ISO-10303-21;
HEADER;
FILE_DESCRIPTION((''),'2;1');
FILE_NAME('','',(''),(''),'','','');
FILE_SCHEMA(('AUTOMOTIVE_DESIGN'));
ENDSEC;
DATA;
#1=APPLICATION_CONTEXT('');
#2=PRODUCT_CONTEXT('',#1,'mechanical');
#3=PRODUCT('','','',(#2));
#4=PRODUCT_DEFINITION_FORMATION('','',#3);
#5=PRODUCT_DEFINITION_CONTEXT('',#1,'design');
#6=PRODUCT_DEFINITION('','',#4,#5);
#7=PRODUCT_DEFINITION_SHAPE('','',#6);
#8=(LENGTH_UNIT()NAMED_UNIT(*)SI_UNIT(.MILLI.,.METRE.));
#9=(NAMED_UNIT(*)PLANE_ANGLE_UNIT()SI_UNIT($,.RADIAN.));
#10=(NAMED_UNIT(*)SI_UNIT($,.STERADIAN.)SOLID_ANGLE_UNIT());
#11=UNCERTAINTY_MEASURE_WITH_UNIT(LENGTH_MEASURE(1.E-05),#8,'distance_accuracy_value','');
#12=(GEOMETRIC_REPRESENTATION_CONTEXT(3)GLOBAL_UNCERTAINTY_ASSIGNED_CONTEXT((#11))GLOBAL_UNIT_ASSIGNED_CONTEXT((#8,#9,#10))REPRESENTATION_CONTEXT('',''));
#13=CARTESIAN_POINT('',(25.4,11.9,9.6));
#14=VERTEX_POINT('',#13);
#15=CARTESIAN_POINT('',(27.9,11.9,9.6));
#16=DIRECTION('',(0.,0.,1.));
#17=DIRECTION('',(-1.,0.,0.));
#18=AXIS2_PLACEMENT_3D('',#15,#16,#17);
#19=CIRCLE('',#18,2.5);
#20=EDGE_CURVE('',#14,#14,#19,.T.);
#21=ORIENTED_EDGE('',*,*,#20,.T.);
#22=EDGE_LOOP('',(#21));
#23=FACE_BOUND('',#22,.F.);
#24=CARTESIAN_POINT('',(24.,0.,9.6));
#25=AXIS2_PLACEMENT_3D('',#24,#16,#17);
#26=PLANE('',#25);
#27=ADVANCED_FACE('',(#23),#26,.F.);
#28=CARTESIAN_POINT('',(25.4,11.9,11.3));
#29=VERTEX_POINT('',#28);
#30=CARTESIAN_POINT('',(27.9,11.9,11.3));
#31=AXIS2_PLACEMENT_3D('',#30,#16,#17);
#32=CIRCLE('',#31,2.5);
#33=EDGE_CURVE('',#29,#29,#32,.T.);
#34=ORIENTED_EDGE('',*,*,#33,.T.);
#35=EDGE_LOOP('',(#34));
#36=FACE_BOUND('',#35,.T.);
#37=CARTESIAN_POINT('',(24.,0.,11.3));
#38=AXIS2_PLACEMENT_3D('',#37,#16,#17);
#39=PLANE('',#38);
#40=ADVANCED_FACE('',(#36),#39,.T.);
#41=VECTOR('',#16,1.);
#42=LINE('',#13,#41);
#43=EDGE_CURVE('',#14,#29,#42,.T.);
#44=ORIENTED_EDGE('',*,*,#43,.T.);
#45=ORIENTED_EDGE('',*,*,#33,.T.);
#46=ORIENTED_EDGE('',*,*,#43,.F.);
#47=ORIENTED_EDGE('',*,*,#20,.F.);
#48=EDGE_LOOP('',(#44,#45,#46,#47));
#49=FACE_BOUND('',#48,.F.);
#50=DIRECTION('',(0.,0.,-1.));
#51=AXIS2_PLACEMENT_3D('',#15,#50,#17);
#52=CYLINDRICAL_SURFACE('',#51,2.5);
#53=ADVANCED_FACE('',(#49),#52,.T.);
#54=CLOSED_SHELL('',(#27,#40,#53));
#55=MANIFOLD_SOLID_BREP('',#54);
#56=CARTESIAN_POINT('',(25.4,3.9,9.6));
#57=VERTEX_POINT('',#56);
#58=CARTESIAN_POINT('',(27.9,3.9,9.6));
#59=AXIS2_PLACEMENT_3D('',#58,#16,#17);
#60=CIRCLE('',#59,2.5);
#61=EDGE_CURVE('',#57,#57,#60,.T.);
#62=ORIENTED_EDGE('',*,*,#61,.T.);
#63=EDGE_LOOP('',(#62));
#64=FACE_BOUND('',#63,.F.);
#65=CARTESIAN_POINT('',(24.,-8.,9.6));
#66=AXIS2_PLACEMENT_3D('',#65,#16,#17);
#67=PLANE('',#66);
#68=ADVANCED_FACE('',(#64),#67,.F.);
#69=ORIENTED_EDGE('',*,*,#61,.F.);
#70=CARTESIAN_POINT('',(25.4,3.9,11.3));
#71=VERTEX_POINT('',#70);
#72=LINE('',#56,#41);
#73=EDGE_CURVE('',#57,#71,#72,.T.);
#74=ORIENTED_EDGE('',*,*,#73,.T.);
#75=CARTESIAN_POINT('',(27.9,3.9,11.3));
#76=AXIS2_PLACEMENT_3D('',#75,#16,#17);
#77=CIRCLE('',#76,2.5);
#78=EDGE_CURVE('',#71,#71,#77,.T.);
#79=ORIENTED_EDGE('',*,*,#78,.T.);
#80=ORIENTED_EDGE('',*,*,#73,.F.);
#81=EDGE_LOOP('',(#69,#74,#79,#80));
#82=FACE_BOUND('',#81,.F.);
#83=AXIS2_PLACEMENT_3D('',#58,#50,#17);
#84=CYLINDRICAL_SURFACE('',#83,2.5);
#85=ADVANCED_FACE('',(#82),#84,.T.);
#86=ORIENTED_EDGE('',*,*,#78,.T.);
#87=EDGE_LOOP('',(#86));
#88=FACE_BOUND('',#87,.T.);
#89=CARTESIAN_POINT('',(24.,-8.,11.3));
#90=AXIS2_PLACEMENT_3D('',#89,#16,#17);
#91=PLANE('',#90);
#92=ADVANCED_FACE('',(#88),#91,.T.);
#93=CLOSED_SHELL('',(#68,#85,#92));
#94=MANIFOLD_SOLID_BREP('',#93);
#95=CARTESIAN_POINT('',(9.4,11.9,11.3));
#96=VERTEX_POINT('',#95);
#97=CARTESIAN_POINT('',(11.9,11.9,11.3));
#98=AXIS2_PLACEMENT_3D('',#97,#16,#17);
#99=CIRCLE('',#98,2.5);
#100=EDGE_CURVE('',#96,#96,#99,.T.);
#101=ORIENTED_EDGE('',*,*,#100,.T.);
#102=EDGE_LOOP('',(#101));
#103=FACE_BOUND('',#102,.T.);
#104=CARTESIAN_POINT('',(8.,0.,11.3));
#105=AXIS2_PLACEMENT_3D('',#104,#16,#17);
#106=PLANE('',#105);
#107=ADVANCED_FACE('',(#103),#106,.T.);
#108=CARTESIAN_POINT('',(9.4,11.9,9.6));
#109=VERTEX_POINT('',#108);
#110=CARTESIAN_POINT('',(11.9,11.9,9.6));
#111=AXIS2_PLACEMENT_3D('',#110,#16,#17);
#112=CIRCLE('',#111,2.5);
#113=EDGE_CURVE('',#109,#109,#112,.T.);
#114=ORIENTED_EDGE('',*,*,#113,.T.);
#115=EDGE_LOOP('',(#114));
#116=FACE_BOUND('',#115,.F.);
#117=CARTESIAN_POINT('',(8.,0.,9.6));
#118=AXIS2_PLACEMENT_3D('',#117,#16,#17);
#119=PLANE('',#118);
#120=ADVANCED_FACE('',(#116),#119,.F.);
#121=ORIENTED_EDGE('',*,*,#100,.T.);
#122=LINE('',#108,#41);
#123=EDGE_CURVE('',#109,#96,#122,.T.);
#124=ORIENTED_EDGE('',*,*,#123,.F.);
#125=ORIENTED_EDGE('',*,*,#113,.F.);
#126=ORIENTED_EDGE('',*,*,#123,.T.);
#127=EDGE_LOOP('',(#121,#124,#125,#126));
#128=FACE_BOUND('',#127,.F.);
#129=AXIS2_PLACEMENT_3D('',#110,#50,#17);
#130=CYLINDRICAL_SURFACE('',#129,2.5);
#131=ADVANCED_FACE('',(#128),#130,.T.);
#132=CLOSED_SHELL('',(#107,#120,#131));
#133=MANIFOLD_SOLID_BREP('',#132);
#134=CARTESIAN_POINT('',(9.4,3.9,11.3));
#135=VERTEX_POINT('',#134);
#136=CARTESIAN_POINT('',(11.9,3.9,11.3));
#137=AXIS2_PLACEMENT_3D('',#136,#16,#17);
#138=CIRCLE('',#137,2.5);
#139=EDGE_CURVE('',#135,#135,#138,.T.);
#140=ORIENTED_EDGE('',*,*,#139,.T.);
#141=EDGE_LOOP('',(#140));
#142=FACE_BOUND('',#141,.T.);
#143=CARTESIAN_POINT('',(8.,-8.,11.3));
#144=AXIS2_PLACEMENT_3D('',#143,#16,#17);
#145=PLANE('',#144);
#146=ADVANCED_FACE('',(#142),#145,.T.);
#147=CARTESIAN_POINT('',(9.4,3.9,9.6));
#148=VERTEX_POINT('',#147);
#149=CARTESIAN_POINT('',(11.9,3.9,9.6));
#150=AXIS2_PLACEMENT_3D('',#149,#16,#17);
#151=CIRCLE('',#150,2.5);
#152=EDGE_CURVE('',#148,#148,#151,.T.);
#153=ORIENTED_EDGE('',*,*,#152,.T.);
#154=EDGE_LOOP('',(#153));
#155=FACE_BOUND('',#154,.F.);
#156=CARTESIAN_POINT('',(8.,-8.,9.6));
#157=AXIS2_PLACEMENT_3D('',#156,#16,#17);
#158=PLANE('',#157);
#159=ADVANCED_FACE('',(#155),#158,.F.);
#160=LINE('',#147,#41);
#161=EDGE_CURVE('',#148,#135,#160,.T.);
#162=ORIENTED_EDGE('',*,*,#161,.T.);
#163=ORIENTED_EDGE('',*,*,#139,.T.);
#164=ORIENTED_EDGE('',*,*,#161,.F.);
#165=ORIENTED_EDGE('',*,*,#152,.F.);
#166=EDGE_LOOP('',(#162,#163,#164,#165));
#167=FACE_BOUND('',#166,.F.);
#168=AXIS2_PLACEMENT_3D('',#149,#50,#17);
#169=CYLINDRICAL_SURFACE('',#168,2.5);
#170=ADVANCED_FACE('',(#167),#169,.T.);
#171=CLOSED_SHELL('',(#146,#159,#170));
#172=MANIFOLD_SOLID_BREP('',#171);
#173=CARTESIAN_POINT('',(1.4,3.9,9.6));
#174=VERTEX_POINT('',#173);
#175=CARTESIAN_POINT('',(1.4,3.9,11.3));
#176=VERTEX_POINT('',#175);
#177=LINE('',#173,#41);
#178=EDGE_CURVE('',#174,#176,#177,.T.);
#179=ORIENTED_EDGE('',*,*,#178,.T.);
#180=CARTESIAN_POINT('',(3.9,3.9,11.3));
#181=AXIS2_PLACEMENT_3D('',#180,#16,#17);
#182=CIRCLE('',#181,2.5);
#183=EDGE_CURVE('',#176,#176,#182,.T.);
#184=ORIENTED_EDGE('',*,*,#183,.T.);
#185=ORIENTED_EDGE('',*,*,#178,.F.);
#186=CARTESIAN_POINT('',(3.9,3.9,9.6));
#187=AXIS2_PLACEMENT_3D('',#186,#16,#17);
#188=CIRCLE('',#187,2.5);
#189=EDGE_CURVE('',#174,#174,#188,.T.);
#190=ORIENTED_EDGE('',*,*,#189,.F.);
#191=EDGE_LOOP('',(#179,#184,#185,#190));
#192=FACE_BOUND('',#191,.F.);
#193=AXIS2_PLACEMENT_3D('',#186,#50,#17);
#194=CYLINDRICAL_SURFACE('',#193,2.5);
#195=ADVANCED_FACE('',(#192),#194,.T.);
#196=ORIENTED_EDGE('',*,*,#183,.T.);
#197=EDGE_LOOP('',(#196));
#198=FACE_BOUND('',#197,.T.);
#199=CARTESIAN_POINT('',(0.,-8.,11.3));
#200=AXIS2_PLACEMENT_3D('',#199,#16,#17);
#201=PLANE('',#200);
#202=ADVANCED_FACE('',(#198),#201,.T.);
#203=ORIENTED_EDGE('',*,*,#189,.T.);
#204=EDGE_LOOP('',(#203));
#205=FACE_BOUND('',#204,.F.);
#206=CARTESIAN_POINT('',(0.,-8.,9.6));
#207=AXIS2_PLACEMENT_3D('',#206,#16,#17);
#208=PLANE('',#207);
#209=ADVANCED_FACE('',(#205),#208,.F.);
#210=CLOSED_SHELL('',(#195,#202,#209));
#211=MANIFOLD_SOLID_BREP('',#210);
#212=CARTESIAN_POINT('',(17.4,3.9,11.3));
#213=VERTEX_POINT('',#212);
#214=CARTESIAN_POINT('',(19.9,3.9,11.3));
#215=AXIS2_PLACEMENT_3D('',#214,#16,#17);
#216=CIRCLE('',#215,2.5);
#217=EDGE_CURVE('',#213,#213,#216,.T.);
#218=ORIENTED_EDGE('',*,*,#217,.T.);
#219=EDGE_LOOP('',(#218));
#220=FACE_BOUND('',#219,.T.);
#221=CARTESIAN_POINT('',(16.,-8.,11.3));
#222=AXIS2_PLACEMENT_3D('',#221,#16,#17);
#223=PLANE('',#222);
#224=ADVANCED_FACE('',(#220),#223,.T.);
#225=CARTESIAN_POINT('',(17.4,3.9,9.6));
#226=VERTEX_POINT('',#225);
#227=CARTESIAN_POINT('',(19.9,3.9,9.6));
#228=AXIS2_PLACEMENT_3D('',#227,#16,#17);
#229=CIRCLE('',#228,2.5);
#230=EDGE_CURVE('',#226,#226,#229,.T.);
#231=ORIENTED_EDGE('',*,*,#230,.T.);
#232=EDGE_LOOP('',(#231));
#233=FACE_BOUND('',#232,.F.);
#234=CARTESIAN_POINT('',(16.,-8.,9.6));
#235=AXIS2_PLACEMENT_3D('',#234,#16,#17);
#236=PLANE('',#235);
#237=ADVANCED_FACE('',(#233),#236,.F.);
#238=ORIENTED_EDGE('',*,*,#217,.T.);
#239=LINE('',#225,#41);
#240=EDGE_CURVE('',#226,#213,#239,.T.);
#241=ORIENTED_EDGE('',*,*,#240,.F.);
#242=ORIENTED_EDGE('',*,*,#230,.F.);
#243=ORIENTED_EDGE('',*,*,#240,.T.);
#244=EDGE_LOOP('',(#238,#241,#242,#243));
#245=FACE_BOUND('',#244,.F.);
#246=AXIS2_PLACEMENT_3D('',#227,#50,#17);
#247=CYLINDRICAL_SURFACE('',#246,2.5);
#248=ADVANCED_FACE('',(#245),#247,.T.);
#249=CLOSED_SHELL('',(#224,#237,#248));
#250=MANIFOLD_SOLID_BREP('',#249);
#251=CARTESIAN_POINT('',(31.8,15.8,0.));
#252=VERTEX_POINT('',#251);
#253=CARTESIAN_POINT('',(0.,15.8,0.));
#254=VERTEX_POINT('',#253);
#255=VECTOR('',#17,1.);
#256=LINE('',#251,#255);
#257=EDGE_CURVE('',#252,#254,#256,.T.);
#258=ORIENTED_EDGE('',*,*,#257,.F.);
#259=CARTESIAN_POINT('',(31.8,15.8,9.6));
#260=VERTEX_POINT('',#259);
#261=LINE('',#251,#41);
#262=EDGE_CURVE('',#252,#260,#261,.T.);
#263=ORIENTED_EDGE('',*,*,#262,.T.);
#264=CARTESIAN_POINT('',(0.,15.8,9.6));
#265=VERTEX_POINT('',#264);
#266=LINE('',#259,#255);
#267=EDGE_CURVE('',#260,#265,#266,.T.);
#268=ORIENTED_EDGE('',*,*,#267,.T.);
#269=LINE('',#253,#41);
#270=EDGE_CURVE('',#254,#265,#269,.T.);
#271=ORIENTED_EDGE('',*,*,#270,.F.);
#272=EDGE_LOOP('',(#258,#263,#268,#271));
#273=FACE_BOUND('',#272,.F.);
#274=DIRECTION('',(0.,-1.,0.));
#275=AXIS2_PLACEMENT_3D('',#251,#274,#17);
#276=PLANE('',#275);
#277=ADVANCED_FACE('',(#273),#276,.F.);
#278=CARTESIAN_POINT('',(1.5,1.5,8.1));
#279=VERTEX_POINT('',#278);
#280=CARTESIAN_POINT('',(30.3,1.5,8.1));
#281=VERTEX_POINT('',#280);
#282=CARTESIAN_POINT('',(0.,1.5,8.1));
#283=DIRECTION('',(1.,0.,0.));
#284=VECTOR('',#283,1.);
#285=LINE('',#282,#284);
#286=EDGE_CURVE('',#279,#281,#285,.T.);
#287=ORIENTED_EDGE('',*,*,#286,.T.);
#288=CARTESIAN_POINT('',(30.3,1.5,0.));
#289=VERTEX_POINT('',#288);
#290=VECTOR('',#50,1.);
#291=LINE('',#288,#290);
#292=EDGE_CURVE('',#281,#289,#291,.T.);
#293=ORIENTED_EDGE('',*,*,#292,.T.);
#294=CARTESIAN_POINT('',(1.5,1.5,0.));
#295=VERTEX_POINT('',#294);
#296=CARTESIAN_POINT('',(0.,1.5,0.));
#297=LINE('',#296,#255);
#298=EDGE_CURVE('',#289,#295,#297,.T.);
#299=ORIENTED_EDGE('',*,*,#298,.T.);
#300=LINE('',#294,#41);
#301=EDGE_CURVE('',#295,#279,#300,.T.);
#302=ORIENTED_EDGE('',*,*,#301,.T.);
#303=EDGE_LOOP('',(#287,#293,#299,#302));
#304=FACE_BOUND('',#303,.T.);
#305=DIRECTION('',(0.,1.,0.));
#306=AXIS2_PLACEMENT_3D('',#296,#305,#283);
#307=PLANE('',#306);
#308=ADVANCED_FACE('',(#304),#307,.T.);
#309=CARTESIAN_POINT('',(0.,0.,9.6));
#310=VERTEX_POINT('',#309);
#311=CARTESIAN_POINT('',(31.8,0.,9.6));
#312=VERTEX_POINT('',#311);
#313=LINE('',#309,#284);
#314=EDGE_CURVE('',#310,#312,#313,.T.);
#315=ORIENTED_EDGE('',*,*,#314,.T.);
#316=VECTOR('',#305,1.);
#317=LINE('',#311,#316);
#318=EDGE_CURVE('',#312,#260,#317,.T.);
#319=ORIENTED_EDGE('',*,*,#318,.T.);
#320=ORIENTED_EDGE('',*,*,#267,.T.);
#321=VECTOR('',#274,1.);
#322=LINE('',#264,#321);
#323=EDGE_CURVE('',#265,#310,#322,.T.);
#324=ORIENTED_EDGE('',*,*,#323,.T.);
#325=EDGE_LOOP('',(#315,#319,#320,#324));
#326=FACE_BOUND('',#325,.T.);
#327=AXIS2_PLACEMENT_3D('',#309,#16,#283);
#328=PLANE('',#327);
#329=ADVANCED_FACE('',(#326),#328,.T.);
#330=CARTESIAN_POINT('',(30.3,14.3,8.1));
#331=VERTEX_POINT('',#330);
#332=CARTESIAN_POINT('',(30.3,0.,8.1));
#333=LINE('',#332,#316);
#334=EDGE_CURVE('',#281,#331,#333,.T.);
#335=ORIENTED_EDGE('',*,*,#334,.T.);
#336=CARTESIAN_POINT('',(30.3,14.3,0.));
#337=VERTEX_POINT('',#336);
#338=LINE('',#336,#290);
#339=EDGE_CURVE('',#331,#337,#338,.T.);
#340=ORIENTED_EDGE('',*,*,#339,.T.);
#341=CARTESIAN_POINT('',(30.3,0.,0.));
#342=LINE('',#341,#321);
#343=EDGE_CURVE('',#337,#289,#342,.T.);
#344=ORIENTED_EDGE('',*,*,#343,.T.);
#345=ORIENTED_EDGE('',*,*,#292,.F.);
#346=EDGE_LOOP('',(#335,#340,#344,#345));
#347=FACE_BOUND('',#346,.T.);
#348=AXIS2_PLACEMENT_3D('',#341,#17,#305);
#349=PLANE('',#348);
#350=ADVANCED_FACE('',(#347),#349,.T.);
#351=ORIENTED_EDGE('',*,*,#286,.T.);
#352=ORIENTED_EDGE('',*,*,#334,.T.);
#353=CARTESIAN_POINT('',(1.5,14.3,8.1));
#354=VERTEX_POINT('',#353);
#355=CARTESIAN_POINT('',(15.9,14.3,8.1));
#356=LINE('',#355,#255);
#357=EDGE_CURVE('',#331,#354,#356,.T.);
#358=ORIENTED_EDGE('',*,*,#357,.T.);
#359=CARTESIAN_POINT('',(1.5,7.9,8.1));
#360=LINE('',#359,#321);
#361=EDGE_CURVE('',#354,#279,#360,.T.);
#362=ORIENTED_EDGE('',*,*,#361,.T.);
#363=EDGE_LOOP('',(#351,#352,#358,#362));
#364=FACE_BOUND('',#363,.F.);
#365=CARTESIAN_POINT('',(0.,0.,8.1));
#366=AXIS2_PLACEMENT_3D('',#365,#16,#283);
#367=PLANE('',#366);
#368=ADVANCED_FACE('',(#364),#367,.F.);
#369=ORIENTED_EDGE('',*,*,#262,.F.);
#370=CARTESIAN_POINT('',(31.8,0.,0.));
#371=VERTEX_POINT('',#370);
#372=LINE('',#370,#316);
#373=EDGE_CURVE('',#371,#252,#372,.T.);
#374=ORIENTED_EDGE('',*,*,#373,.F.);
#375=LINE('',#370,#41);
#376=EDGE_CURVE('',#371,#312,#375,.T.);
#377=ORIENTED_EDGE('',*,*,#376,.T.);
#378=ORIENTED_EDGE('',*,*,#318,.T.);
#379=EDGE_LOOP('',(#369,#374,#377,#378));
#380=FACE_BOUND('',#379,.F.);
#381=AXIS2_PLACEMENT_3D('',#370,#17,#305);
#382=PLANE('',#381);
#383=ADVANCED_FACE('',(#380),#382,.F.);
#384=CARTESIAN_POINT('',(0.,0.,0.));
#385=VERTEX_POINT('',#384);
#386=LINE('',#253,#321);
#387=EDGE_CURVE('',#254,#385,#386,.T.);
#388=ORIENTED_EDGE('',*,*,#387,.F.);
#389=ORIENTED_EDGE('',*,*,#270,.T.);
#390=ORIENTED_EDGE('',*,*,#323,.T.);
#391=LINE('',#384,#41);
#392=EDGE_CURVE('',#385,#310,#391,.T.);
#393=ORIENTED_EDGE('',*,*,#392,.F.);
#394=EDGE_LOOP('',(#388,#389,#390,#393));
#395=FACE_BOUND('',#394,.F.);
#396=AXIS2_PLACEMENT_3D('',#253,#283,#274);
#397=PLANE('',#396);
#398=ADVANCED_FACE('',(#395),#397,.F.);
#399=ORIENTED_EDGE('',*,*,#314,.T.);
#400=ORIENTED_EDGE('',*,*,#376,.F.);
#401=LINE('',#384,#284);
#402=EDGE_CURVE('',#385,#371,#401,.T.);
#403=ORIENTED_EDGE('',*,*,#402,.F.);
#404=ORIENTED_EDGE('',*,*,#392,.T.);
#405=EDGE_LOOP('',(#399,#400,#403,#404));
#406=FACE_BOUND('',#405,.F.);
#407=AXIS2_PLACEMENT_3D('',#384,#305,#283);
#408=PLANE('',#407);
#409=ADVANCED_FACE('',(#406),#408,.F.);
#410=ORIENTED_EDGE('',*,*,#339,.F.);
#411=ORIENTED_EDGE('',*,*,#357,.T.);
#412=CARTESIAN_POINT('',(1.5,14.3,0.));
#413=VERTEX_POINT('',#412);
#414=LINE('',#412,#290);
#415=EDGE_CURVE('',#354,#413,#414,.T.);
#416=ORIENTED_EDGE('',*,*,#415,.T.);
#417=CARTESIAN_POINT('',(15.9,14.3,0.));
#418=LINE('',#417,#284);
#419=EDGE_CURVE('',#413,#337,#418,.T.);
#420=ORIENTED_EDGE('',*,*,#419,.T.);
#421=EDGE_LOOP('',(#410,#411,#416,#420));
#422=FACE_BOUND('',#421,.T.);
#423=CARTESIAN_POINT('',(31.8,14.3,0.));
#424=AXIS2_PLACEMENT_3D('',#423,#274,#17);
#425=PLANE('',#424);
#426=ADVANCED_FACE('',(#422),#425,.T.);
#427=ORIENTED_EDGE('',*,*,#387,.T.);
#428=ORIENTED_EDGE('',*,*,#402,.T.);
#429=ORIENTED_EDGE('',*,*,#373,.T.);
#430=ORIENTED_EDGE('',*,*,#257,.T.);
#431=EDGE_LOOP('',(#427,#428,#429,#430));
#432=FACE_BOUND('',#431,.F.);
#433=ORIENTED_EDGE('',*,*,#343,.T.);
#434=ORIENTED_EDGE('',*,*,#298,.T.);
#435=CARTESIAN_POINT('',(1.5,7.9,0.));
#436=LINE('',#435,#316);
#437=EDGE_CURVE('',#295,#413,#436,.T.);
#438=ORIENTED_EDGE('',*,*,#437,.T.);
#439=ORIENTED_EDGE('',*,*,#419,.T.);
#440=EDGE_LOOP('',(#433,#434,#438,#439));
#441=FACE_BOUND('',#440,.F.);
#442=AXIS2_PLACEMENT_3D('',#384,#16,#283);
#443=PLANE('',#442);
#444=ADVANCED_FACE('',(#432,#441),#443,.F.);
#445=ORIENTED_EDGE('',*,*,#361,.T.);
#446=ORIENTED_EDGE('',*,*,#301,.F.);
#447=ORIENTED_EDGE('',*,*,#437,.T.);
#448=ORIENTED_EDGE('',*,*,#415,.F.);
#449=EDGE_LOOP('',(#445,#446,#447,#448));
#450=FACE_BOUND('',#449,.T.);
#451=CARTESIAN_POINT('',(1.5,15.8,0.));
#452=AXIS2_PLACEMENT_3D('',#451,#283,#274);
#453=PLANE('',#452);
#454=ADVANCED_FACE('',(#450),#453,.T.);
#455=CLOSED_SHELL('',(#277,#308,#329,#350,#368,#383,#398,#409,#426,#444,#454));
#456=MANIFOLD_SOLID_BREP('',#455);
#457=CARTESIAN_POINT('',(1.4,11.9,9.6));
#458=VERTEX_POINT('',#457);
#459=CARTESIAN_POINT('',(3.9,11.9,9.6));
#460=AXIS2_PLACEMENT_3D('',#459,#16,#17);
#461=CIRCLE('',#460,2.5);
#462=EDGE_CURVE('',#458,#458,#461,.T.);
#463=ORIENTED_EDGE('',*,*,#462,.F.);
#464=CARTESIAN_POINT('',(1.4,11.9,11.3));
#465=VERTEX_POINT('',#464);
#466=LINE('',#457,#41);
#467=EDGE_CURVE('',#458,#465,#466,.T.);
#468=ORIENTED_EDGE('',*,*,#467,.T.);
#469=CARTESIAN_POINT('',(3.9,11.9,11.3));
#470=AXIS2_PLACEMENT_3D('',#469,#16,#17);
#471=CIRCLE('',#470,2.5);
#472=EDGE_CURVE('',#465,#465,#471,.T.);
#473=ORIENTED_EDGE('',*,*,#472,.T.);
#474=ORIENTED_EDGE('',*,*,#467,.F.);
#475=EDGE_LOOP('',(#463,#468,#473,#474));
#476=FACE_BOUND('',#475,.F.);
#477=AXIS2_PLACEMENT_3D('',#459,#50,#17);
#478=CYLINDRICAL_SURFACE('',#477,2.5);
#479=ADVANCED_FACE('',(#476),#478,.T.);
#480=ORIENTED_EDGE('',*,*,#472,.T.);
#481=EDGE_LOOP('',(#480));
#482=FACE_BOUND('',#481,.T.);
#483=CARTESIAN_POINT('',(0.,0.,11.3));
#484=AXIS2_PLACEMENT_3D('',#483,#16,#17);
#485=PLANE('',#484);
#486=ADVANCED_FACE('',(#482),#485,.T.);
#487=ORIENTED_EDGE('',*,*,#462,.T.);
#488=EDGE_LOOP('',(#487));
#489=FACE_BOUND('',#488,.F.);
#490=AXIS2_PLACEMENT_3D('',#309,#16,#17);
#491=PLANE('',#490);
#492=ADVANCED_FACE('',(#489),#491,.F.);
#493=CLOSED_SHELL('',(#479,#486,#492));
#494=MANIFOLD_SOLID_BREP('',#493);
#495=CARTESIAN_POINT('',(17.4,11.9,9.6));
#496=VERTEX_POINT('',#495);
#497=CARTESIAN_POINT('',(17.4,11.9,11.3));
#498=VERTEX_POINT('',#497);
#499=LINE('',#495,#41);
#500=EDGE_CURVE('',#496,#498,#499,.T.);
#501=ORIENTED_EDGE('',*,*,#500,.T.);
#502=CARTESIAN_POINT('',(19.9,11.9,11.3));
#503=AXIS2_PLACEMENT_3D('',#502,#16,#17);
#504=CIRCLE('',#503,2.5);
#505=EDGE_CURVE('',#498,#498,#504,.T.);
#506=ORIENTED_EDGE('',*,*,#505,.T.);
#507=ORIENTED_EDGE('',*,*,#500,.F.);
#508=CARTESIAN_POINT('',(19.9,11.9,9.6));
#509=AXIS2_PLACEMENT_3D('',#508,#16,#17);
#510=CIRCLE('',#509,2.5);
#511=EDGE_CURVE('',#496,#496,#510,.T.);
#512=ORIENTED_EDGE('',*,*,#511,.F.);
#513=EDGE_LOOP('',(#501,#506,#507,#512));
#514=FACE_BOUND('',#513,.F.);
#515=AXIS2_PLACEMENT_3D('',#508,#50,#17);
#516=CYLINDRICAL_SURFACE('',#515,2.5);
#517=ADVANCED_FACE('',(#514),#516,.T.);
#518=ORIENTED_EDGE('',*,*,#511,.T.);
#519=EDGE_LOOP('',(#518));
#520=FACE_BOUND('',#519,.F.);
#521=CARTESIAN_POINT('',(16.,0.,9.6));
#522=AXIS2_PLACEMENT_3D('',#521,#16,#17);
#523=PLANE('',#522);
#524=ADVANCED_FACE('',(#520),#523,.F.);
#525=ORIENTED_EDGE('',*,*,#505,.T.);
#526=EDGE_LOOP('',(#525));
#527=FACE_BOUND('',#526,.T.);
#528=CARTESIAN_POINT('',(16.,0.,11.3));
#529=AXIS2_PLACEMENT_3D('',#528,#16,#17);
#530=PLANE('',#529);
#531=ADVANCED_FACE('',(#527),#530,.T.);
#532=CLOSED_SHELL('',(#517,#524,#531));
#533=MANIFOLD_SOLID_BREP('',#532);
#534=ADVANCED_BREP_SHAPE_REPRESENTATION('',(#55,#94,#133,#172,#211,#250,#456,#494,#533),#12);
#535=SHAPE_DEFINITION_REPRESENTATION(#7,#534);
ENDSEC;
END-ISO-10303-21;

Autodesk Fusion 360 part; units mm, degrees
sketch "Sketch1" plane through (0, 0, 0) normal (0, 0, 1) x (1, 0, 0) in component "LEGO"
  line L0 (0, 0) -> (31.8, 0)
  line L1 (31.8, 0) -> (31.8, 15.8)
  line L2 (31.8, 15.8) -> (0, 15.8)
  line L3 (0, 15.8) -> (0, 0)
  dimension "d1" = 31.8
  dimension "d2" = 15.8
extrude "Extrude1" add sketch "Sketch1" along normal blind 9.6 makes body 1 in component "LEGO"
sketch "Sketch2" plane through (0, 0, 9.6) normal (0, 0, 1) x (-1, 0, 0) in component "LEGO"
  line L0 (0, -15.8) -> (0, 0)
  line L1 (0, 0) -> (-31.8, 0)
  line L2 (-31.8, 0) -> (-31.8, -15.8)
  line L3 (-31.8, -15.8) -> (0, -15.8)
  circle A0 centre (-3.9, -11.9) radius 2.5
  dimension "d6" = 5
  dimension "d8" = 3.9
  dimension "d10" = 3.9
extrude "Extrude2" add sketch "Sketch2" along normal blind 1.7 separate body contours A0 makes body 2 in component "LEGO"
pattern_linear "R-Pattern1" count 1 spacing 0 along (0, 0, 1) count 4 spacing 8 along (1, 0, 0) of "Extrude2" makes body 3 makes body 4 makes body 5 in component "LEGO"
pattern_linear "R-Pattern2" count 1 spacing 0 along (1, 0, 0) count 2 spacing 8 along (0, -1, 0) of bodies 2 3 4 5 makes body 6 at (1.4124, 4.1489, 10.1667) makes body 7 at (9.4124, 4.1489, 10.1667) makes body 8 at (17.4124, 4.1489, 10.1667) makes body 9 at (25.4124, 4.1489, 10.1667) in component "LEGO"
shell "Shell1" thickness 1.5 removed faces 1 at (21.2, 5.2667, 0) on bodies 1 in component "LEGO"
component "LEGO" placed x (1, 0, 0) y (0, 1, 0) z (0, 0, 1) at (0, 0, 0)
